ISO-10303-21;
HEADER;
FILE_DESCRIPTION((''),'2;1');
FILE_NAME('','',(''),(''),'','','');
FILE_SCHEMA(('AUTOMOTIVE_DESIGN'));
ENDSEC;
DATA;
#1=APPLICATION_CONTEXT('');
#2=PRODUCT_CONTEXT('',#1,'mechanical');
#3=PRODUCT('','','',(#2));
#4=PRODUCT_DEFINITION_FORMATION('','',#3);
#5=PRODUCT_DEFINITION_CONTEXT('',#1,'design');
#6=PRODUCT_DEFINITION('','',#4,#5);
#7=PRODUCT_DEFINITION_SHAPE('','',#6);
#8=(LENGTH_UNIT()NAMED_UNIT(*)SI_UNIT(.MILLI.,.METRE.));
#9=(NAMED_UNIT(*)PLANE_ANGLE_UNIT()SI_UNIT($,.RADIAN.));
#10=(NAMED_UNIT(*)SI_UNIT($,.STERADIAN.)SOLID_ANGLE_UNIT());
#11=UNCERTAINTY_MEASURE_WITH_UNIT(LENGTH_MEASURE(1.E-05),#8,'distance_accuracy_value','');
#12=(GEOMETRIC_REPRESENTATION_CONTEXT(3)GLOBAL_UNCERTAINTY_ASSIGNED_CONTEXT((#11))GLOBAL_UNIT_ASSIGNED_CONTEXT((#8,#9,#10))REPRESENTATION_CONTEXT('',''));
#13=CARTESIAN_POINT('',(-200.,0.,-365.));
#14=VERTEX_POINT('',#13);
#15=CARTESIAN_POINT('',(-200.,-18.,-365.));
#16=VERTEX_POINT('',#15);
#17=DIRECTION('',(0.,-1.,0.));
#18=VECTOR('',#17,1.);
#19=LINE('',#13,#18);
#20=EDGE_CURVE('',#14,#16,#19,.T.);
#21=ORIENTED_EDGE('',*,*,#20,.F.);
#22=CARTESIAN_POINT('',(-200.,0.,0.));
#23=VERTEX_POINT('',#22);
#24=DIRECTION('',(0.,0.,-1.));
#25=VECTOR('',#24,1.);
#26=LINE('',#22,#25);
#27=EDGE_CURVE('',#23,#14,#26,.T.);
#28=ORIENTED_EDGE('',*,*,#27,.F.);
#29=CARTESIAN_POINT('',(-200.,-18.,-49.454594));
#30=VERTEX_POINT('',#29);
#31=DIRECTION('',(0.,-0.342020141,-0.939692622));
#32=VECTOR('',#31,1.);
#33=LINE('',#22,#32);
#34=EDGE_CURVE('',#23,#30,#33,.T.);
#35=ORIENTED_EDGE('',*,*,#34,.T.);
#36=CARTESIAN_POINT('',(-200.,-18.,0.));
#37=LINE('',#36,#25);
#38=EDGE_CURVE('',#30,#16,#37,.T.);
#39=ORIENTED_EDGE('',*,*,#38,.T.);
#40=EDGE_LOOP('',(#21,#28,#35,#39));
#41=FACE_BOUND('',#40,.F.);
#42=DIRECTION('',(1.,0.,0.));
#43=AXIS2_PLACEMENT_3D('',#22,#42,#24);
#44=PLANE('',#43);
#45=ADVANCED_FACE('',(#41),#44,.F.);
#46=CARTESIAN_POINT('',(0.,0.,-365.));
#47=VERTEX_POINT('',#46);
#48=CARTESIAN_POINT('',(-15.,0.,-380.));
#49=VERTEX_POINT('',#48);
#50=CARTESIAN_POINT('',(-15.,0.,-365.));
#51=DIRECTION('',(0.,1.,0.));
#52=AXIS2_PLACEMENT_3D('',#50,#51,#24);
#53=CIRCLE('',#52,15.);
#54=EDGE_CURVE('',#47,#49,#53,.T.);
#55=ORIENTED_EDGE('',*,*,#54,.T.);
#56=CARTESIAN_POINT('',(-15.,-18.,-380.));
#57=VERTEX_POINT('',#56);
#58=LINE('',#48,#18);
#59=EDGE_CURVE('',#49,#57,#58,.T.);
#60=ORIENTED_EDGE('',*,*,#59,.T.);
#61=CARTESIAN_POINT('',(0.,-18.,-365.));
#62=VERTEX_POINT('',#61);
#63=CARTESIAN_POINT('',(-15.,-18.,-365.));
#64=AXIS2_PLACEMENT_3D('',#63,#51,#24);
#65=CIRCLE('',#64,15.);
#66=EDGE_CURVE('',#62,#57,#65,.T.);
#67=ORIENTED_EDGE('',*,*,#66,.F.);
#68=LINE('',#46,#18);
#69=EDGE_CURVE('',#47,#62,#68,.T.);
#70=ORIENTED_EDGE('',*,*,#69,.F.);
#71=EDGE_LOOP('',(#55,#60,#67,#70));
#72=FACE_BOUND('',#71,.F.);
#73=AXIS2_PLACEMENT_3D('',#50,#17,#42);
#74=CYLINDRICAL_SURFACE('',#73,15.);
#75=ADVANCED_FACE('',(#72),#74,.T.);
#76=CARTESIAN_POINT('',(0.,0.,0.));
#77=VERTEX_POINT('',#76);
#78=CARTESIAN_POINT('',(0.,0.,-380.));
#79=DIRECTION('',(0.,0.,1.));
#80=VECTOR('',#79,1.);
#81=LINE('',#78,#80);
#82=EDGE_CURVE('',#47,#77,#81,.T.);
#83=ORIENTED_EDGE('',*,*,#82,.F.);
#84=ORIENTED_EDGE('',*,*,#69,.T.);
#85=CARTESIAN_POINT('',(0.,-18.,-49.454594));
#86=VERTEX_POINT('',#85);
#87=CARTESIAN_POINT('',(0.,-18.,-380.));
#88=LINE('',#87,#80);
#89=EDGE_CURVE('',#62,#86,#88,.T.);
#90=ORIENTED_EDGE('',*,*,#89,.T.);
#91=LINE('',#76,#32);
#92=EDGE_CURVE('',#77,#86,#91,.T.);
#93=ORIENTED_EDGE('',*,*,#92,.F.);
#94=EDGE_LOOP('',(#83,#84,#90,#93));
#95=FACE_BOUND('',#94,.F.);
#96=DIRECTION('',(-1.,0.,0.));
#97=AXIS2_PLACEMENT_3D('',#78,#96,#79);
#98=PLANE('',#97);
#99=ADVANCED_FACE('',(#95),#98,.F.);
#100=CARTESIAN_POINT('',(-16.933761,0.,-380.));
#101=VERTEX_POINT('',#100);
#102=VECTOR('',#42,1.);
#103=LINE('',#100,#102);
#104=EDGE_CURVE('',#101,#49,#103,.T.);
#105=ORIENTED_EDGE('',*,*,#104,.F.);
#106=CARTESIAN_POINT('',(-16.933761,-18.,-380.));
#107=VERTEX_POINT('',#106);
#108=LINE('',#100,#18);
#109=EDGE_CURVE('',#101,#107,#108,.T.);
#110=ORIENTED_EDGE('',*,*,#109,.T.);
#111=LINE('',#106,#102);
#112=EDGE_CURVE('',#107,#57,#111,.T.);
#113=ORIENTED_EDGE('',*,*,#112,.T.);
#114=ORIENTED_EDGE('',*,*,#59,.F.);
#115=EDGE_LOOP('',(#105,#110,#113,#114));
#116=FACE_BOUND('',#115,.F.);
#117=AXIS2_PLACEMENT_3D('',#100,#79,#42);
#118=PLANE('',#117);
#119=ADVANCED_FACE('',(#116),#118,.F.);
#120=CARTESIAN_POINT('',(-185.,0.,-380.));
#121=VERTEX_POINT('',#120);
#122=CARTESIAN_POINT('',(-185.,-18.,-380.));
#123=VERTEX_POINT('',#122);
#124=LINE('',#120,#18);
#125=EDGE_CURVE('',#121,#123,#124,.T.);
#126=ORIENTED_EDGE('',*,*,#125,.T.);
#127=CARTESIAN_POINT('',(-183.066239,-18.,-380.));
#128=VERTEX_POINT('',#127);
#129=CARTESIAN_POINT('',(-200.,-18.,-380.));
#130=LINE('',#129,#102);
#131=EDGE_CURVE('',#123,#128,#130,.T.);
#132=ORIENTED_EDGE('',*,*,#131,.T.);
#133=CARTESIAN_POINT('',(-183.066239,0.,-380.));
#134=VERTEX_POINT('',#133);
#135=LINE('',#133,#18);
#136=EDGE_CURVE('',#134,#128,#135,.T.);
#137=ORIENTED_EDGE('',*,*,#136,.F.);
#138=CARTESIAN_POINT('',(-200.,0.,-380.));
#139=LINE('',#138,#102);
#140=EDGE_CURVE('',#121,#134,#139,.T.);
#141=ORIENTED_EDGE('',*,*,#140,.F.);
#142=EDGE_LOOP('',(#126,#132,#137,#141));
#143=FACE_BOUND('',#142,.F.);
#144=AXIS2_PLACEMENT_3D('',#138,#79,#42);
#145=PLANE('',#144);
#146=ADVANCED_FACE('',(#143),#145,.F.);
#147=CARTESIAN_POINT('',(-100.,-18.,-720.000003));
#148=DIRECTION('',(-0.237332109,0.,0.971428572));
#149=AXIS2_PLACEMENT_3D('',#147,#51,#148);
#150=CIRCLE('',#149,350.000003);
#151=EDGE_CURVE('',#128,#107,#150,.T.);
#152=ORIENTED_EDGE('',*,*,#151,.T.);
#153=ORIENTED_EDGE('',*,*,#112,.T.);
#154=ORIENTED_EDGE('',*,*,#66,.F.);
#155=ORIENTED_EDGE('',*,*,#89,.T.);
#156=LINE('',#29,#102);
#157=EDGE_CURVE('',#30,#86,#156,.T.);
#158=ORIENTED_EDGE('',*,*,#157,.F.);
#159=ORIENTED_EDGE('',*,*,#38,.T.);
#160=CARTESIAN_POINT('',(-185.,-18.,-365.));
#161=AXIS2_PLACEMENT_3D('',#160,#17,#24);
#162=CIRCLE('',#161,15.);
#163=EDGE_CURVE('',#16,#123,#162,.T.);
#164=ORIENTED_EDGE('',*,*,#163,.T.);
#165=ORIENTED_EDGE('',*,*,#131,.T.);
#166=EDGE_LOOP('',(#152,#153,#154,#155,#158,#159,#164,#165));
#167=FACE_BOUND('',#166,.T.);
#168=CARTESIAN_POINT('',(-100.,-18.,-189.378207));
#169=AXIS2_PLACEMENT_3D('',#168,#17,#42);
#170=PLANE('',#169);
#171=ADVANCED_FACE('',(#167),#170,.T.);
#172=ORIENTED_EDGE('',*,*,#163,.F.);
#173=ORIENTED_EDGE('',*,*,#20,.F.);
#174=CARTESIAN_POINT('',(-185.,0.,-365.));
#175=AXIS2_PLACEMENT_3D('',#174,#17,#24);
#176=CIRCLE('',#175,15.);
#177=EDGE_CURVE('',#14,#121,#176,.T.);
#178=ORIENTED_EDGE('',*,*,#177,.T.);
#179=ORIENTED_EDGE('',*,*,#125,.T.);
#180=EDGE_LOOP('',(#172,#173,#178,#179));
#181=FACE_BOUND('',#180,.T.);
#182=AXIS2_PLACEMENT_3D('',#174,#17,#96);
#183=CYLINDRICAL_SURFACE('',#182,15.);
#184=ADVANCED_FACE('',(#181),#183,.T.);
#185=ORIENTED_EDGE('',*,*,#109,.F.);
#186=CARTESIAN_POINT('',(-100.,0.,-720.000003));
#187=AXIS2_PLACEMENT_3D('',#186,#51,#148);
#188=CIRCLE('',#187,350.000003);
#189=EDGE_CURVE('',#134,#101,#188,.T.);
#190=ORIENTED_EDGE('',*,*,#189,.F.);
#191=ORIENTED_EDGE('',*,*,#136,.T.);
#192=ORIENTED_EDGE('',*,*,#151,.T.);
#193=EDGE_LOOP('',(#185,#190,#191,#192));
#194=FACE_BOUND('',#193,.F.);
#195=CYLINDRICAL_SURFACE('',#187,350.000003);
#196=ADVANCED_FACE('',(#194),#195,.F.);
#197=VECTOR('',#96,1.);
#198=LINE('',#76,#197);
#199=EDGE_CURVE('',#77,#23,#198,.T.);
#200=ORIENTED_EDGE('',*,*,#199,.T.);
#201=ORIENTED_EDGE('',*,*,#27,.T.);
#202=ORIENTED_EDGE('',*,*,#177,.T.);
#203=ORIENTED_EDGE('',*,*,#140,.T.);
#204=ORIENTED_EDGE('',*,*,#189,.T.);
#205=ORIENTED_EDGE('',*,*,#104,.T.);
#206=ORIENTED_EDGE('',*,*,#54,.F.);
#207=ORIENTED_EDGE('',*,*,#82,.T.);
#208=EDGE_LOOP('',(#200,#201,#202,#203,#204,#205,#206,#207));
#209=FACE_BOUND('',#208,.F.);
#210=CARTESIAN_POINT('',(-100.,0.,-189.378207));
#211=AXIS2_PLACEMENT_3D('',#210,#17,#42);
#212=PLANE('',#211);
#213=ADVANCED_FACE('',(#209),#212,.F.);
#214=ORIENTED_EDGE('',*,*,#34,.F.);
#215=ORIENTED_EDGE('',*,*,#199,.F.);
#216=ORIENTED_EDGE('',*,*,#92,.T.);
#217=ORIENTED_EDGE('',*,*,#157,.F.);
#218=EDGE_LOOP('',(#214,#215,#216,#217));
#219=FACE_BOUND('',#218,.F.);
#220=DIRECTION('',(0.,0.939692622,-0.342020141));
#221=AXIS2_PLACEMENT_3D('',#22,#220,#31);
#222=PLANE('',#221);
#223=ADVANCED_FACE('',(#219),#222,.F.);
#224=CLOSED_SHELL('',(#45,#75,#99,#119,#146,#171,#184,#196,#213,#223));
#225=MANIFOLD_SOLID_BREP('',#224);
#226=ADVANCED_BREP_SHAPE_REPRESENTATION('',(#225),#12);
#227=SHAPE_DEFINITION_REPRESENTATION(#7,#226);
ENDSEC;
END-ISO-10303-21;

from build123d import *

# Parameters (mm, degrees)
F1_DEPTH = 18
F3_DEPTH = 200
F4_R     = 15


with BuildPart() as f1:
    # F0 (on Front) → F1 (new body)
    with BuildSketch(Plane.XZ):
        with BuildLine():
            Line((0, -380), (0, 0))
            Line((0, 0), (-200, 0))
            Line((-200, 0), (-200, -380))
            Line((-200, -380), (-183.066239, -380))
            ThreePointArc((-183.066239, -380), (-100, -370), (-16.933761, -380))
            Line((-16.933761, -380), (0, -380))
        make_face()
    extrude(amount=F1_DEPTH)

    # F2 (on face) → F3 (cut, through all)
    with BuildSketch(Plane(origin=(-200, 0, 0), x_dir=(0, -1, 0), z_dir=(-1, 0, 0))):
        Polygon((18, -49.454594), (18, 0), (0, 0), align=None)
    extrude(amount=-F3_DEPTH, mode=Mode.SUBTRACT)

    # F4
    f4_edges = [f1.edges().sort_by_distance(p)[0] for p in [
        (-200, -9, -380),
        (0, -9, -380),
    ]]
    fillet(f4_edges, radius=F4_R)


solid = f1.part
